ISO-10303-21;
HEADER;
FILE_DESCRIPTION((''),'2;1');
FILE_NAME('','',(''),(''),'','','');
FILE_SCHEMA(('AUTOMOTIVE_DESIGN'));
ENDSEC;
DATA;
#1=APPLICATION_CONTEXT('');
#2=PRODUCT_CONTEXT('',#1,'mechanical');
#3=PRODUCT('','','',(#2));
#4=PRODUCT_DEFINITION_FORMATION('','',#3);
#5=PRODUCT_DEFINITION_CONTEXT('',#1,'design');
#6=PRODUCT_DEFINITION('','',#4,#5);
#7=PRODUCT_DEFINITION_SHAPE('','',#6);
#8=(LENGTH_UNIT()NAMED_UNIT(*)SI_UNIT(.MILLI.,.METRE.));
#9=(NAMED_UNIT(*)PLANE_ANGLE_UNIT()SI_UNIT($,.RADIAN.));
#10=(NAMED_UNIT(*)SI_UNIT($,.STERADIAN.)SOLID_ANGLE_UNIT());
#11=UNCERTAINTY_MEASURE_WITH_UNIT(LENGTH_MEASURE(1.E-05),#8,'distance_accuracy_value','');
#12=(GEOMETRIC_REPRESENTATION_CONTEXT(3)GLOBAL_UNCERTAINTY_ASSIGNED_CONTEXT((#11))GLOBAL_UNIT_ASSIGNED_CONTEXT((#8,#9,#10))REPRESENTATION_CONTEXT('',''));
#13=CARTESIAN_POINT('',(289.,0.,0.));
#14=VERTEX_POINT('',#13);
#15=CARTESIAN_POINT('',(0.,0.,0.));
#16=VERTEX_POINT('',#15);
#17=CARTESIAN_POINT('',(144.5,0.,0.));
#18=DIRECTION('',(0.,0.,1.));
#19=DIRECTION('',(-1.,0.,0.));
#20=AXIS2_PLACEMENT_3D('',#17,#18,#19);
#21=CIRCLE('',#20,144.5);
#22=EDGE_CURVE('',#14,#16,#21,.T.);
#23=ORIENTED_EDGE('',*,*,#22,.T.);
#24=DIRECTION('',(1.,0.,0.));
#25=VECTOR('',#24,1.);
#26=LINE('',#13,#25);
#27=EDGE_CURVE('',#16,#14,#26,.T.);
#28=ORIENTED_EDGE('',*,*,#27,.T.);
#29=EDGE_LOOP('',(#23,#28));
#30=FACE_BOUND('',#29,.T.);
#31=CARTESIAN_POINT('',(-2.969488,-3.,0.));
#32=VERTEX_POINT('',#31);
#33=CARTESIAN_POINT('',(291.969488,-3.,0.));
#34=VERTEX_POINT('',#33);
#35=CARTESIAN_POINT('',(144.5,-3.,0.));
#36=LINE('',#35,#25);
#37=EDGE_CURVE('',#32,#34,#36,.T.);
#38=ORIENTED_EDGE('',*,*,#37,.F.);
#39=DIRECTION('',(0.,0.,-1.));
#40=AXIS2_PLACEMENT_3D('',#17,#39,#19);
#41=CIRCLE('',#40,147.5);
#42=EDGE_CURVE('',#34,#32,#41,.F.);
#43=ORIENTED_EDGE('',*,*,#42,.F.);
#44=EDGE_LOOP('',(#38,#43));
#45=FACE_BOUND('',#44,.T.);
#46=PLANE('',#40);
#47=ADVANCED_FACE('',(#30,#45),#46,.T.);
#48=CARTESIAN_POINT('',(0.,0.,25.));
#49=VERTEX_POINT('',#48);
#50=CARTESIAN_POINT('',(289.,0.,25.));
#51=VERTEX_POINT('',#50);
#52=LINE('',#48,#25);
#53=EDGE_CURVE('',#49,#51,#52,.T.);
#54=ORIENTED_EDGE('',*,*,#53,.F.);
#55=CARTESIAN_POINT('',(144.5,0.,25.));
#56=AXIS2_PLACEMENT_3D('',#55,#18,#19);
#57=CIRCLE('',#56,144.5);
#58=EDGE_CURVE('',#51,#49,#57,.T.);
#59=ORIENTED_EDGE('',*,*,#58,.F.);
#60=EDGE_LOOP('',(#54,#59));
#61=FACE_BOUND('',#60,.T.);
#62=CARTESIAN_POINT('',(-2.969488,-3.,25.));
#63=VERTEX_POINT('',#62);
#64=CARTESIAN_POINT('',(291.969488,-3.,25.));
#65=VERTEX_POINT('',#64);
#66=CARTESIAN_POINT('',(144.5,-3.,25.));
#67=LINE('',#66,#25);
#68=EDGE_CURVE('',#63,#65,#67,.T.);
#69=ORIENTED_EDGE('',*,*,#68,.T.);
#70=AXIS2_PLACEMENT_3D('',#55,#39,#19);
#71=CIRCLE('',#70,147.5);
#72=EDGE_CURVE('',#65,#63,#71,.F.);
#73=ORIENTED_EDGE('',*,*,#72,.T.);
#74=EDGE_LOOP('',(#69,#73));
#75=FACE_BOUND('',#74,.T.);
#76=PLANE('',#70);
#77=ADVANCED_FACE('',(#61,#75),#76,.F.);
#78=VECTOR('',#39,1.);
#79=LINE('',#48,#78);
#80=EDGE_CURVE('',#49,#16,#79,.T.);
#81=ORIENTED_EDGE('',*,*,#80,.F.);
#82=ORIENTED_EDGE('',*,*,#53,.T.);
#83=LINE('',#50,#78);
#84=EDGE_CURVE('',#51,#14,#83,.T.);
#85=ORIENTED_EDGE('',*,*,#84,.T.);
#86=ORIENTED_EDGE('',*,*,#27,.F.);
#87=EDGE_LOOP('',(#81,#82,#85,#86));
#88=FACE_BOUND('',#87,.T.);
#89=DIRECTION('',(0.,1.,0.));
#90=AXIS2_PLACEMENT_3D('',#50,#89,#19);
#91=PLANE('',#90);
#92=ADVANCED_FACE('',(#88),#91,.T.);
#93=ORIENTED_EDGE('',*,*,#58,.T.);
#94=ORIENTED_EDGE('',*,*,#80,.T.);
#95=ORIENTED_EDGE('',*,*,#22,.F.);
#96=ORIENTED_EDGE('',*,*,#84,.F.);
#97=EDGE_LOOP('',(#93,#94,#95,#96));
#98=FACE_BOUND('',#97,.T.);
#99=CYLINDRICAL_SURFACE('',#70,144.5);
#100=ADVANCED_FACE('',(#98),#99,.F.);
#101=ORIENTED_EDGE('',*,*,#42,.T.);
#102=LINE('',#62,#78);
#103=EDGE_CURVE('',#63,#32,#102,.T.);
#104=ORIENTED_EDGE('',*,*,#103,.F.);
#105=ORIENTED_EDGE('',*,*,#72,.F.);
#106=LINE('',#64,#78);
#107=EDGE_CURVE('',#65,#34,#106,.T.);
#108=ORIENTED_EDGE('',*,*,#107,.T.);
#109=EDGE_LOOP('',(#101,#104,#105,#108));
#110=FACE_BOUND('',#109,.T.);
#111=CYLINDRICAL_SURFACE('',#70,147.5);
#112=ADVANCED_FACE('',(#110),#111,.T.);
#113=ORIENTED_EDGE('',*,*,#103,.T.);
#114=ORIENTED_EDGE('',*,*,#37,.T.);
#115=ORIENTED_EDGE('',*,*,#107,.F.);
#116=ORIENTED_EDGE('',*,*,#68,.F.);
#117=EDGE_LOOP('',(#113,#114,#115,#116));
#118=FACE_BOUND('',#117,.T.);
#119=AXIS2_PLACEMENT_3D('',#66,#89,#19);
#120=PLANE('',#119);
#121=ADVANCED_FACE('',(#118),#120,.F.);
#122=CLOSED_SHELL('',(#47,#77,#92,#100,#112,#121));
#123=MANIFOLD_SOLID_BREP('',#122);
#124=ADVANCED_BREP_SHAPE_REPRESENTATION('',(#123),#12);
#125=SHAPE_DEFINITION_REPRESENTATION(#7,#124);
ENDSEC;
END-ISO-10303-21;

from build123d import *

# Parameters (mm, degrees)
EXTRU_MINCE1_DEPTH = 25


with BuildPart() as part:
    # Esquisse1 → Extru.-Mince1 (new body)
    with BuildSketch(Plane.XY):
        with BuildLine():
            Line((-2.96948837, -3), (246, -3))
            Line((246, -3), (291.96948837, -3))
            ThreePointArc((291.96948837, -3), (144.5, 147.5), (-2.96948837, -3))
        make_face()
        with BuildLine():
            Line((0, 0), (246, 0))
            Line((246, 0), (289, 0))
            ThreePointArc((289, 0), (144.5, 144.5), (0, 0))
        make_face(mode=Mode.SUBTRACT)
    extrude(amount=EXTRU_MINCE1_DEPTH)


solid = part.part
